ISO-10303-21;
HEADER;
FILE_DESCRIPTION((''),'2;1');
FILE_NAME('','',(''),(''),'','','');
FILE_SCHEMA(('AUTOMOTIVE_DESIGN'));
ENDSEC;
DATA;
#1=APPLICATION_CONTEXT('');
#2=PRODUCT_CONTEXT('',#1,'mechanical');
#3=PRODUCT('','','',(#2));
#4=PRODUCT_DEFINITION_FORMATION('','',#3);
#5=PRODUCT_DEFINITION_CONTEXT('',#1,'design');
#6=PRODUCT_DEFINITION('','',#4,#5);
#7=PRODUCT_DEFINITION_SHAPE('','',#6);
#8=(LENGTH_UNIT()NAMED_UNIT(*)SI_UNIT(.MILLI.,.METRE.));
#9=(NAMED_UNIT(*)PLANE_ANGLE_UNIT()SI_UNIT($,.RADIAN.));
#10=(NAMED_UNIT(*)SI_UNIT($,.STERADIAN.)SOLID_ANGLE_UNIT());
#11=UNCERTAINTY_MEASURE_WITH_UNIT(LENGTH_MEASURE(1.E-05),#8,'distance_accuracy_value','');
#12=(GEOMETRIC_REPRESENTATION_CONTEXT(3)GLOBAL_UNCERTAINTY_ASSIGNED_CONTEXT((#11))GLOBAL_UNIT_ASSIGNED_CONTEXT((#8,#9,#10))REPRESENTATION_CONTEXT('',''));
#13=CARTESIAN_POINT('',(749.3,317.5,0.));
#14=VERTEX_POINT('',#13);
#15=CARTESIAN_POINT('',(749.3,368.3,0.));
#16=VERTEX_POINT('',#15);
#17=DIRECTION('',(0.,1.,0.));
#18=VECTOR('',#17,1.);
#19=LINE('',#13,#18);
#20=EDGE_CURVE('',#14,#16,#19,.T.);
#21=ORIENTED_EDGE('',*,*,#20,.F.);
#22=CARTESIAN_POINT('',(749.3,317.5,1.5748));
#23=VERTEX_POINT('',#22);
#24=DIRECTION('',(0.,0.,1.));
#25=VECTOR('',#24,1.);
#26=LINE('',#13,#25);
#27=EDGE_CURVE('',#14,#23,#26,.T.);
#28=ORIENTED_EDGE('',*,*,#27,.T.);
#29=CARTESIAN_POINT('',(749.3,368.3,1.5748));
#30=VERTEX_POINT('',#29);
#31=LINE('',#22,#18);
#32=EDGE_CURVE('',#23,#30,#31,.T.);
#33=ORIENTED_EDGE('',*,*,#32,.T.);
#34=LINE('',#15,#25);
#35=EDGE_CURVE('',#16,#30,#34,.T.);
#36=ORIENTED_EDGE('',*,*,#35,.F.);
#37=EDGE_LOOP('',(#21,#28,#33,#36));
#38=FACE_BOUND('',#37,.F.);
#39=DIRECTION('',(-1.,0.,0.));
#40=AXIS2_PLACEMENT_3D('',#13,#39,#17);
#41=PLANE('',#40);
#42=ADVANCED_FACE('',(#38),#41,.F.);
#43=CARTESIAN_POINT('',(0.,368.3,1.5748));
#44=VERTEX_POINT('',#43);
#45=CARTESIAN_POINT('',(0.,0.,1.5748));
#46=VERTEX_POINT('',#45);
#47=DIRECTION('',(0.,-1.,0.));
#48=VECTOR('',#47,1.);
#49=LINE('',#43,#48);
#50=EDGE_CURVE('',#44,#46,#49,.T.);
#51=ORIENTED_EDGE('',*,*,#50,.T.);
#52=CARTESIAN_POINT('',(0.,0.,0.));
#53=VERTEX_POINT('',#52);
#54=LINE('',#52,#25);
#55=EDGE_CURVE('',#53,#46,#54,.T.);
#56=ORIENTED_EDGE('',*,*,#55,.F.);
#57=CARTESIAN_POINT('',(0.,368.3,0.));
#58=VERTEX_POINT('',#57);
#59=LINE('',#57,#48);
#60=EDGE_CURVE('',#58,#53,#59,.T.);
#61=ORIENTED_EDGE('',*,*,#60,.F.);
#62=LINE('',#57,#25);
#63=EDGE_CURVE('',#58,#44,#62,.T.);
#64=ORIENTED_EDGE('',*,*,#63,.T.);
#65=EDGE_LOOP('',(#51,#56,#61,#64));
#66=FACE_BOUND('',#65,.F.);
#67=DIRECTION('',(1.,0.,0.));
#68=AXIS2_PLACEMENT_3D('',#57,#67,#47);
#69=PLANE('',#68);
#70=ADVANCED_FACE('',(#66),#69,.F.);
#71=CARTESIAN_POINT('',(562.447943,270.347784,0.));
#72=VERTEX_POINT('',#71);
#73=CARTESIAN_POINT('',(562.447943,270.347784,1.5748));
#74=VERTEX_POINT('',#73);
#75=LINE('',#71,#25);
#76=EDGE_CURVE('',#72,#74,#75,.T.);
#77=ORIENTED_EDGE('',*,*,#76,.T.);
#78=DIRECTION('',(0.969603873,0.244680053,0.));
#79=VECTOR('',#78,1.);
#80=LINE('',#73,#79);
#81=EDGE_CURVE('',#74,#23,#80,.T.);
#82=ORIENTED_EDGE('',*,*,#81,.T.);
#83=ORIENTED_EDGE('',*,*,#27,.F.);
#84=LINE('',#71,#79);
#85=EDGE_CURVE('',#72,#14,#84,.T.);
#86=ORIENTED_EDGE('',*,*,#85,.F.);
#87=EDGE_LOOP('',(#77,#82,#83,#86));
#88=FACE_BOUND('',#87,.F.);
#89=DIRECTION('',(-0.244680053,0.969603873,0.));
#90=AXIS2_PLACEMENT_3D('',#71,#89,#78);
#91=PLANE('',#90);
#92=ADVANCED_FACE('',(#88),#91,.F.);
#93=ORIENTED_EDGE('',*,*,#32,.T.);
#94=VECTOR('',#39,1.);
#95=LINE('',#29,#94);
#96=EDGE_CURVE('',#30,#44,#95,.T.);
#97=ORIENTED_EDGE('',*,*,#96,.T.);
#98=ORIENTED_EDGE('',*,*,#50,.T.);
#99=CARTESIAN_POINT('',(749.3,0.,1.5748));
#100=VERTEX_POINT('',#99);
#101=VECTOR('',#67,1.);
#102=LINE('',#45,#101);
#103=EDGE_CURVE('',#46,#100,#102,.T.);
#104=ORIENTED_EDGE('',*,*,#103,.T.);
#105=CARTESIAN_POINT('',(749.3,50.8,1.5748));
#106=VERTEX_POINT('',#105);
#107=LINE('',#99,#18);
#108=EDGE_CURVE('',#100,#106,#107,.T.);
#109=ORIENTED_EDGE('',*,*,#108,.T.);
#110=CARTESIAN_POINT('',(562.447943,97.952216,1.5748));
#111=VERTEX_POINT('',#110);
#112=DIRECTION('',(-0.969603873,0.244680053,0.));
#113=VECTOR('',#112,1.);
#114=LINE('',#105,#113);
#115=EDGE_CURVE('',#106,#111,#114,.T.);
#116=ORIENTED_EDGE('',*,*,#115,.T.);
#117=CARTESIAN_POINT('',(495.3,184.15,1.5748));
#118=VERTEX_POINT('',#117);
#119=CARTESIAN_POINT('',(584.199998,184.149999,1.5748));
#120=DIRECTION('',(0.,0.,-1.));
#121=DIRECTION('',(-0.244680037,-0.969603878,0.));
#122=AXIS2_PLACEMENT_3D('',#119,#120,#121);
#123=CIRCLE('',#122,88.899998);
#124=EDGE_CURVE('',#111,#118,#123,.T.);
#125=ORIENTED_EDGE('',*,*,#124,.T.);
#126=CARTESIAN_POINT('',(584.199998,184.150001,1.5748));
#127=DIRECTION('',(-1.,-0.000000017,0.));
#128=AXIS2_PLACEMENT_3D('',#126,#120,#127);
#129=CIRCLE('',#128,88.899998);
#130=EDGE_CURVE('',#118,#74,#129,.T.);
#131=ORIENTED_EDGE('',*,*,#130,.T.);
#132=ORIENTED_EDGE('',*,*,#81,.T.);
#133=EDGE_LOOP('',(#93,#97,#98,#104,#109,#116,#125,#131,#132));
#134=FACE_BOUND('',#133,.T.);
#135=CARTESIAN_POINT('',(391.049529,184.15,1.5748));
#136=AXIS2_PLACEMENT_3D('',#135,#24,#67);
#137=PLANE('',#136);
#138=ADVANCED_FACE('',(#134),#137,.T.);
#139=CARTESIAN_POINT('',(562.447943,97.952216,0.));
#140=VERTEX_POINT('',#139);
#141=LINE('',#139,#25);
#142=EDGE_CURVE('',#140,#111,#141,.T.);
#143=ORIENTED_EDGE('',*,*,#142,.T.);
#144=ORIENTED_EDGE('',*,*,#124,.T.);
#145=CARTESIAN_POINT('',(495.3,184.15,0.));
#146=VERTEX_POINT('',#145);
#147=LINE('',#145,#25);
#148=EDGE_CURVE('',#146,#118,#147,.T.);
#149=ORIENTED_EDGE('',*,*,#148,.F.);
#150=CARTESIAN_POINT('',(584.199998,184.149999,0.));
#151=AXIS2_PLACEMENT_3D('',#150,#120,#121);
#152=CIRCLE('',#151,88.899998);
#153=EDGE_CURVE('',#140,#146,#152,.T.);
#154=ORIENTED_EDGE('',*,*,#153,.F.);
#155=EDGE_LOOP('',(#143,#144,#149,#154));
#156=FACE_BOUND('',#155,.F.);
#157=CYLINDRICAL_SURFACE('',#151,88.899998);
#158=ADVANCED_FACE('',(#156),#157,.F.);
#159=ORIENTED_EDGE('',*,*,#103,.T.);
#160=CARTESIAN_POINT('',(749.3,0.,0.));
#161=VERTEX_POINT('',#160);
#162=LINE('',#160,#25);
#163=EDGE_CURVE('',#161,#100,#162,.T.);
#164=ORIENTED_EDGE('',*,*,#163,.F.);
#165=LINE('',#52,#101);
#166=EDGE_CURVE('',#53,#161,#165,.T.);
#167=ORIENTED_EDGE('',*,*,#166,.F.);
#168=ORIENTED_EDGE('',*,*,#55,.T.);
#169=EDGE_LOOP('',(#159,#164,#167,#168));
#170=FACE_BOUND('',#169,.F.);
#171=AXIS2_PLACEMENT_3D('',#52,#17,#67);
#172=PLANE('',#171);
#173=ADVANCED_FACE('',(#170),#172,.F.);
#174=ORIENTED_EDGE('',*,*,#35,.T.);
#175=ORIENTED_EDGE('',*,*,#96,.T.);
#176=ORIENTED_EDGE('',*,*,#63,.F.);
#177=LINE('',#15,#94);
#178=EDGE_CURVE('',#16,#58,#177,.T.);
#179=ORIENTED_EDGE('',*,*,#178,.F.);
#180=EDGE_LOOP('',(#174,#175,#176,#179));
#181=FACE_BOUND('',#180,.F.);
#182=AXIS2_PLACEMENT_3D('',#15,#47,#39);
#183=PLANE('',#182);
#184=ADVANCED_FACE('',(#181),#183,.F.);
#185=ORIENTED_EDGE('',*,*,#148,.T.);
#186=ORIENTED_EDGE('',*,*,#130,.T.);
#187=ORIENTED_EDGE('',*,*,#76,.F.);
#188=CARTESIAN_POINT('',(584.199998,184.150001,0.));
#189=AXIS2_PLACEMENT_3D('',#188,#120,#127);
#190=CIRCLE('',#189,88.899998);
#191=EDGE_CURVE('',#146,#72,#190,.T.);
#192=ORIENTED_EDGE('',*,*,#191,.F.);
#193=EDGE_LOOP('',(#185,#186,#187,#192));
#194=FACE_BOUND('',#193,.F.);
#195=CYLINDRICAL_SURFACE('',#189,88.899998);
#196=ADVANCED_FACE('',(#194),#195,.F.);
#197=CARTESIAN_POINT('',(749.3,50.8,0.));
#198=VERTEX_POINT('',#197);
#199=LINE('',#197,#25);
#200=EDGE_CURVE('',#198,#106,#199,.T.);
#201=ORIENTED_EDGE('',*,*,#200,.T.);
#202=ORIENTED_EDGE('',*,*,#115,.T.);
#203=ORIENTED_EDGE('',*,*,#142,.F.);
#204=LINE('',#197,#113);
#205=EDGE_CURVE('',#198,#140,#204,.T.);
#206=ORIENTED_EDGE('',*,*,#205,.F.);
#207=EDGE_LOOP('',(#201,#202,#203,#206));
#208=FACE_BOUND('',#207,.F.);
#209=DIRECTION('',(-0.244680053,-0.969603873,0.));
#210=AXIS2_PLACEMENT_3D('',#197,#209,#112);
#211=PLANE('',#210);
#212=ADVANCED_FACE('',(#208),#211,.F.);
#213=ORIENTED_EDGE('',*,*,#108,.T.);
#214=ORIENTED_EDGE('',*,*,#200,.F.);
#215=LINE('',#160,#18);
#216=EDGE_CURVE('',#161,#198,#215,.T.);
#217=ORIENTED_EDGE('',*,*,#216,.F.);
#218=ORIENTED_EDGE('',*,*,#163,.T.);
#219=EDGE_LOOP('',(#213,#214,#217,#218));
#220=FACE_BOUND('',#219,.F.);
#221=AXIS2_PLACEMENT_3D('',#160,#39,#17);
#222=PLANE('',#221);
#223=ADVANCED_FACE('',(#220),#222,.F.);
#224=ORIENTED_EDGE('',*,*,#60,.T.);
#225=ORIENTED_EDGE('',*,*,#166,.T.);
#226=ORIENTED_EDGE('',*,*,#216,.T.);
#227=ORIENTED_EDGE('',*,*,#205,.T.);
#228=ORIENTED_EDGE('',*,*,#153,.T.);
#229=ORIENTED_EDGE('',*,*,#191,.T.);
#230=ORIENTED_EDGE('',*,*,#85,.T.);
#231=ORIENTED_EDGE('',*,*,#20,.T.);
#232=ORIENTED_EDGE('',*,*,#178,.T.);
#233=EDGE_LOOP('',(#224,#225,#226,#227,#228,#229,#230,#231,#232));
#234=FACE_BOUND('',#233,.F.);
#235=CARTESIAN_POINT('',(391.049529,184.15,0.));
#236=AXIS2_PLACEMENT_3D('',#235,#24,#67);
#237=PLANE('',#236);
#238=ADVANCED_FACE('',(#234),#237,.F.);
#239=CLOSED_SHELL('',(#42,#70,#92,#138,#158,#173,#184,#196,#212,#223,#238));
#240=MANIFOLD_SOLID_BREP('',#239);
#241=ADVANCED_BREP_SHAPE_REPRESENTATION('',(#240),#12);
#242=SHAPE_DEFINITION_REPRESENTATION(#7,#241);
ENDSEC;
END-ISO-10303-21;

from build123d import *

# Parameters (mm, degrees)
F1_DEPTH = 1.5748


with BuildPart() as f1:
    # F0 (on Top) → F1 (new body)
    with BuildSketch(Plane.XY):
        with BuildLine():
            Line((0, 368.3), (0, 0))
            Line((0, 0), (749.3, 0))
            Line((749.3, 0), (749.3, 50.8))
            Line((749.3, 50.8), (562.447943, 97.952216))
            ThreePointArc((562.447943, 97.952216), (514.068096, 129.517353), (495.3, 184.15))
            ThreePointArc((495.3, 184.15), (514.068096, 238.782647), (562.447943, 270.347784))
            Line((562.447943, 270.347784), (749.3, 317.5))
            Line((749.3, 317.5), (749.3, 368.3))
            Line((749.3, 368.3), (0, 368.3))
        make_face()
    extrude(amount=F1_DEPTH)


solid = f1.part
